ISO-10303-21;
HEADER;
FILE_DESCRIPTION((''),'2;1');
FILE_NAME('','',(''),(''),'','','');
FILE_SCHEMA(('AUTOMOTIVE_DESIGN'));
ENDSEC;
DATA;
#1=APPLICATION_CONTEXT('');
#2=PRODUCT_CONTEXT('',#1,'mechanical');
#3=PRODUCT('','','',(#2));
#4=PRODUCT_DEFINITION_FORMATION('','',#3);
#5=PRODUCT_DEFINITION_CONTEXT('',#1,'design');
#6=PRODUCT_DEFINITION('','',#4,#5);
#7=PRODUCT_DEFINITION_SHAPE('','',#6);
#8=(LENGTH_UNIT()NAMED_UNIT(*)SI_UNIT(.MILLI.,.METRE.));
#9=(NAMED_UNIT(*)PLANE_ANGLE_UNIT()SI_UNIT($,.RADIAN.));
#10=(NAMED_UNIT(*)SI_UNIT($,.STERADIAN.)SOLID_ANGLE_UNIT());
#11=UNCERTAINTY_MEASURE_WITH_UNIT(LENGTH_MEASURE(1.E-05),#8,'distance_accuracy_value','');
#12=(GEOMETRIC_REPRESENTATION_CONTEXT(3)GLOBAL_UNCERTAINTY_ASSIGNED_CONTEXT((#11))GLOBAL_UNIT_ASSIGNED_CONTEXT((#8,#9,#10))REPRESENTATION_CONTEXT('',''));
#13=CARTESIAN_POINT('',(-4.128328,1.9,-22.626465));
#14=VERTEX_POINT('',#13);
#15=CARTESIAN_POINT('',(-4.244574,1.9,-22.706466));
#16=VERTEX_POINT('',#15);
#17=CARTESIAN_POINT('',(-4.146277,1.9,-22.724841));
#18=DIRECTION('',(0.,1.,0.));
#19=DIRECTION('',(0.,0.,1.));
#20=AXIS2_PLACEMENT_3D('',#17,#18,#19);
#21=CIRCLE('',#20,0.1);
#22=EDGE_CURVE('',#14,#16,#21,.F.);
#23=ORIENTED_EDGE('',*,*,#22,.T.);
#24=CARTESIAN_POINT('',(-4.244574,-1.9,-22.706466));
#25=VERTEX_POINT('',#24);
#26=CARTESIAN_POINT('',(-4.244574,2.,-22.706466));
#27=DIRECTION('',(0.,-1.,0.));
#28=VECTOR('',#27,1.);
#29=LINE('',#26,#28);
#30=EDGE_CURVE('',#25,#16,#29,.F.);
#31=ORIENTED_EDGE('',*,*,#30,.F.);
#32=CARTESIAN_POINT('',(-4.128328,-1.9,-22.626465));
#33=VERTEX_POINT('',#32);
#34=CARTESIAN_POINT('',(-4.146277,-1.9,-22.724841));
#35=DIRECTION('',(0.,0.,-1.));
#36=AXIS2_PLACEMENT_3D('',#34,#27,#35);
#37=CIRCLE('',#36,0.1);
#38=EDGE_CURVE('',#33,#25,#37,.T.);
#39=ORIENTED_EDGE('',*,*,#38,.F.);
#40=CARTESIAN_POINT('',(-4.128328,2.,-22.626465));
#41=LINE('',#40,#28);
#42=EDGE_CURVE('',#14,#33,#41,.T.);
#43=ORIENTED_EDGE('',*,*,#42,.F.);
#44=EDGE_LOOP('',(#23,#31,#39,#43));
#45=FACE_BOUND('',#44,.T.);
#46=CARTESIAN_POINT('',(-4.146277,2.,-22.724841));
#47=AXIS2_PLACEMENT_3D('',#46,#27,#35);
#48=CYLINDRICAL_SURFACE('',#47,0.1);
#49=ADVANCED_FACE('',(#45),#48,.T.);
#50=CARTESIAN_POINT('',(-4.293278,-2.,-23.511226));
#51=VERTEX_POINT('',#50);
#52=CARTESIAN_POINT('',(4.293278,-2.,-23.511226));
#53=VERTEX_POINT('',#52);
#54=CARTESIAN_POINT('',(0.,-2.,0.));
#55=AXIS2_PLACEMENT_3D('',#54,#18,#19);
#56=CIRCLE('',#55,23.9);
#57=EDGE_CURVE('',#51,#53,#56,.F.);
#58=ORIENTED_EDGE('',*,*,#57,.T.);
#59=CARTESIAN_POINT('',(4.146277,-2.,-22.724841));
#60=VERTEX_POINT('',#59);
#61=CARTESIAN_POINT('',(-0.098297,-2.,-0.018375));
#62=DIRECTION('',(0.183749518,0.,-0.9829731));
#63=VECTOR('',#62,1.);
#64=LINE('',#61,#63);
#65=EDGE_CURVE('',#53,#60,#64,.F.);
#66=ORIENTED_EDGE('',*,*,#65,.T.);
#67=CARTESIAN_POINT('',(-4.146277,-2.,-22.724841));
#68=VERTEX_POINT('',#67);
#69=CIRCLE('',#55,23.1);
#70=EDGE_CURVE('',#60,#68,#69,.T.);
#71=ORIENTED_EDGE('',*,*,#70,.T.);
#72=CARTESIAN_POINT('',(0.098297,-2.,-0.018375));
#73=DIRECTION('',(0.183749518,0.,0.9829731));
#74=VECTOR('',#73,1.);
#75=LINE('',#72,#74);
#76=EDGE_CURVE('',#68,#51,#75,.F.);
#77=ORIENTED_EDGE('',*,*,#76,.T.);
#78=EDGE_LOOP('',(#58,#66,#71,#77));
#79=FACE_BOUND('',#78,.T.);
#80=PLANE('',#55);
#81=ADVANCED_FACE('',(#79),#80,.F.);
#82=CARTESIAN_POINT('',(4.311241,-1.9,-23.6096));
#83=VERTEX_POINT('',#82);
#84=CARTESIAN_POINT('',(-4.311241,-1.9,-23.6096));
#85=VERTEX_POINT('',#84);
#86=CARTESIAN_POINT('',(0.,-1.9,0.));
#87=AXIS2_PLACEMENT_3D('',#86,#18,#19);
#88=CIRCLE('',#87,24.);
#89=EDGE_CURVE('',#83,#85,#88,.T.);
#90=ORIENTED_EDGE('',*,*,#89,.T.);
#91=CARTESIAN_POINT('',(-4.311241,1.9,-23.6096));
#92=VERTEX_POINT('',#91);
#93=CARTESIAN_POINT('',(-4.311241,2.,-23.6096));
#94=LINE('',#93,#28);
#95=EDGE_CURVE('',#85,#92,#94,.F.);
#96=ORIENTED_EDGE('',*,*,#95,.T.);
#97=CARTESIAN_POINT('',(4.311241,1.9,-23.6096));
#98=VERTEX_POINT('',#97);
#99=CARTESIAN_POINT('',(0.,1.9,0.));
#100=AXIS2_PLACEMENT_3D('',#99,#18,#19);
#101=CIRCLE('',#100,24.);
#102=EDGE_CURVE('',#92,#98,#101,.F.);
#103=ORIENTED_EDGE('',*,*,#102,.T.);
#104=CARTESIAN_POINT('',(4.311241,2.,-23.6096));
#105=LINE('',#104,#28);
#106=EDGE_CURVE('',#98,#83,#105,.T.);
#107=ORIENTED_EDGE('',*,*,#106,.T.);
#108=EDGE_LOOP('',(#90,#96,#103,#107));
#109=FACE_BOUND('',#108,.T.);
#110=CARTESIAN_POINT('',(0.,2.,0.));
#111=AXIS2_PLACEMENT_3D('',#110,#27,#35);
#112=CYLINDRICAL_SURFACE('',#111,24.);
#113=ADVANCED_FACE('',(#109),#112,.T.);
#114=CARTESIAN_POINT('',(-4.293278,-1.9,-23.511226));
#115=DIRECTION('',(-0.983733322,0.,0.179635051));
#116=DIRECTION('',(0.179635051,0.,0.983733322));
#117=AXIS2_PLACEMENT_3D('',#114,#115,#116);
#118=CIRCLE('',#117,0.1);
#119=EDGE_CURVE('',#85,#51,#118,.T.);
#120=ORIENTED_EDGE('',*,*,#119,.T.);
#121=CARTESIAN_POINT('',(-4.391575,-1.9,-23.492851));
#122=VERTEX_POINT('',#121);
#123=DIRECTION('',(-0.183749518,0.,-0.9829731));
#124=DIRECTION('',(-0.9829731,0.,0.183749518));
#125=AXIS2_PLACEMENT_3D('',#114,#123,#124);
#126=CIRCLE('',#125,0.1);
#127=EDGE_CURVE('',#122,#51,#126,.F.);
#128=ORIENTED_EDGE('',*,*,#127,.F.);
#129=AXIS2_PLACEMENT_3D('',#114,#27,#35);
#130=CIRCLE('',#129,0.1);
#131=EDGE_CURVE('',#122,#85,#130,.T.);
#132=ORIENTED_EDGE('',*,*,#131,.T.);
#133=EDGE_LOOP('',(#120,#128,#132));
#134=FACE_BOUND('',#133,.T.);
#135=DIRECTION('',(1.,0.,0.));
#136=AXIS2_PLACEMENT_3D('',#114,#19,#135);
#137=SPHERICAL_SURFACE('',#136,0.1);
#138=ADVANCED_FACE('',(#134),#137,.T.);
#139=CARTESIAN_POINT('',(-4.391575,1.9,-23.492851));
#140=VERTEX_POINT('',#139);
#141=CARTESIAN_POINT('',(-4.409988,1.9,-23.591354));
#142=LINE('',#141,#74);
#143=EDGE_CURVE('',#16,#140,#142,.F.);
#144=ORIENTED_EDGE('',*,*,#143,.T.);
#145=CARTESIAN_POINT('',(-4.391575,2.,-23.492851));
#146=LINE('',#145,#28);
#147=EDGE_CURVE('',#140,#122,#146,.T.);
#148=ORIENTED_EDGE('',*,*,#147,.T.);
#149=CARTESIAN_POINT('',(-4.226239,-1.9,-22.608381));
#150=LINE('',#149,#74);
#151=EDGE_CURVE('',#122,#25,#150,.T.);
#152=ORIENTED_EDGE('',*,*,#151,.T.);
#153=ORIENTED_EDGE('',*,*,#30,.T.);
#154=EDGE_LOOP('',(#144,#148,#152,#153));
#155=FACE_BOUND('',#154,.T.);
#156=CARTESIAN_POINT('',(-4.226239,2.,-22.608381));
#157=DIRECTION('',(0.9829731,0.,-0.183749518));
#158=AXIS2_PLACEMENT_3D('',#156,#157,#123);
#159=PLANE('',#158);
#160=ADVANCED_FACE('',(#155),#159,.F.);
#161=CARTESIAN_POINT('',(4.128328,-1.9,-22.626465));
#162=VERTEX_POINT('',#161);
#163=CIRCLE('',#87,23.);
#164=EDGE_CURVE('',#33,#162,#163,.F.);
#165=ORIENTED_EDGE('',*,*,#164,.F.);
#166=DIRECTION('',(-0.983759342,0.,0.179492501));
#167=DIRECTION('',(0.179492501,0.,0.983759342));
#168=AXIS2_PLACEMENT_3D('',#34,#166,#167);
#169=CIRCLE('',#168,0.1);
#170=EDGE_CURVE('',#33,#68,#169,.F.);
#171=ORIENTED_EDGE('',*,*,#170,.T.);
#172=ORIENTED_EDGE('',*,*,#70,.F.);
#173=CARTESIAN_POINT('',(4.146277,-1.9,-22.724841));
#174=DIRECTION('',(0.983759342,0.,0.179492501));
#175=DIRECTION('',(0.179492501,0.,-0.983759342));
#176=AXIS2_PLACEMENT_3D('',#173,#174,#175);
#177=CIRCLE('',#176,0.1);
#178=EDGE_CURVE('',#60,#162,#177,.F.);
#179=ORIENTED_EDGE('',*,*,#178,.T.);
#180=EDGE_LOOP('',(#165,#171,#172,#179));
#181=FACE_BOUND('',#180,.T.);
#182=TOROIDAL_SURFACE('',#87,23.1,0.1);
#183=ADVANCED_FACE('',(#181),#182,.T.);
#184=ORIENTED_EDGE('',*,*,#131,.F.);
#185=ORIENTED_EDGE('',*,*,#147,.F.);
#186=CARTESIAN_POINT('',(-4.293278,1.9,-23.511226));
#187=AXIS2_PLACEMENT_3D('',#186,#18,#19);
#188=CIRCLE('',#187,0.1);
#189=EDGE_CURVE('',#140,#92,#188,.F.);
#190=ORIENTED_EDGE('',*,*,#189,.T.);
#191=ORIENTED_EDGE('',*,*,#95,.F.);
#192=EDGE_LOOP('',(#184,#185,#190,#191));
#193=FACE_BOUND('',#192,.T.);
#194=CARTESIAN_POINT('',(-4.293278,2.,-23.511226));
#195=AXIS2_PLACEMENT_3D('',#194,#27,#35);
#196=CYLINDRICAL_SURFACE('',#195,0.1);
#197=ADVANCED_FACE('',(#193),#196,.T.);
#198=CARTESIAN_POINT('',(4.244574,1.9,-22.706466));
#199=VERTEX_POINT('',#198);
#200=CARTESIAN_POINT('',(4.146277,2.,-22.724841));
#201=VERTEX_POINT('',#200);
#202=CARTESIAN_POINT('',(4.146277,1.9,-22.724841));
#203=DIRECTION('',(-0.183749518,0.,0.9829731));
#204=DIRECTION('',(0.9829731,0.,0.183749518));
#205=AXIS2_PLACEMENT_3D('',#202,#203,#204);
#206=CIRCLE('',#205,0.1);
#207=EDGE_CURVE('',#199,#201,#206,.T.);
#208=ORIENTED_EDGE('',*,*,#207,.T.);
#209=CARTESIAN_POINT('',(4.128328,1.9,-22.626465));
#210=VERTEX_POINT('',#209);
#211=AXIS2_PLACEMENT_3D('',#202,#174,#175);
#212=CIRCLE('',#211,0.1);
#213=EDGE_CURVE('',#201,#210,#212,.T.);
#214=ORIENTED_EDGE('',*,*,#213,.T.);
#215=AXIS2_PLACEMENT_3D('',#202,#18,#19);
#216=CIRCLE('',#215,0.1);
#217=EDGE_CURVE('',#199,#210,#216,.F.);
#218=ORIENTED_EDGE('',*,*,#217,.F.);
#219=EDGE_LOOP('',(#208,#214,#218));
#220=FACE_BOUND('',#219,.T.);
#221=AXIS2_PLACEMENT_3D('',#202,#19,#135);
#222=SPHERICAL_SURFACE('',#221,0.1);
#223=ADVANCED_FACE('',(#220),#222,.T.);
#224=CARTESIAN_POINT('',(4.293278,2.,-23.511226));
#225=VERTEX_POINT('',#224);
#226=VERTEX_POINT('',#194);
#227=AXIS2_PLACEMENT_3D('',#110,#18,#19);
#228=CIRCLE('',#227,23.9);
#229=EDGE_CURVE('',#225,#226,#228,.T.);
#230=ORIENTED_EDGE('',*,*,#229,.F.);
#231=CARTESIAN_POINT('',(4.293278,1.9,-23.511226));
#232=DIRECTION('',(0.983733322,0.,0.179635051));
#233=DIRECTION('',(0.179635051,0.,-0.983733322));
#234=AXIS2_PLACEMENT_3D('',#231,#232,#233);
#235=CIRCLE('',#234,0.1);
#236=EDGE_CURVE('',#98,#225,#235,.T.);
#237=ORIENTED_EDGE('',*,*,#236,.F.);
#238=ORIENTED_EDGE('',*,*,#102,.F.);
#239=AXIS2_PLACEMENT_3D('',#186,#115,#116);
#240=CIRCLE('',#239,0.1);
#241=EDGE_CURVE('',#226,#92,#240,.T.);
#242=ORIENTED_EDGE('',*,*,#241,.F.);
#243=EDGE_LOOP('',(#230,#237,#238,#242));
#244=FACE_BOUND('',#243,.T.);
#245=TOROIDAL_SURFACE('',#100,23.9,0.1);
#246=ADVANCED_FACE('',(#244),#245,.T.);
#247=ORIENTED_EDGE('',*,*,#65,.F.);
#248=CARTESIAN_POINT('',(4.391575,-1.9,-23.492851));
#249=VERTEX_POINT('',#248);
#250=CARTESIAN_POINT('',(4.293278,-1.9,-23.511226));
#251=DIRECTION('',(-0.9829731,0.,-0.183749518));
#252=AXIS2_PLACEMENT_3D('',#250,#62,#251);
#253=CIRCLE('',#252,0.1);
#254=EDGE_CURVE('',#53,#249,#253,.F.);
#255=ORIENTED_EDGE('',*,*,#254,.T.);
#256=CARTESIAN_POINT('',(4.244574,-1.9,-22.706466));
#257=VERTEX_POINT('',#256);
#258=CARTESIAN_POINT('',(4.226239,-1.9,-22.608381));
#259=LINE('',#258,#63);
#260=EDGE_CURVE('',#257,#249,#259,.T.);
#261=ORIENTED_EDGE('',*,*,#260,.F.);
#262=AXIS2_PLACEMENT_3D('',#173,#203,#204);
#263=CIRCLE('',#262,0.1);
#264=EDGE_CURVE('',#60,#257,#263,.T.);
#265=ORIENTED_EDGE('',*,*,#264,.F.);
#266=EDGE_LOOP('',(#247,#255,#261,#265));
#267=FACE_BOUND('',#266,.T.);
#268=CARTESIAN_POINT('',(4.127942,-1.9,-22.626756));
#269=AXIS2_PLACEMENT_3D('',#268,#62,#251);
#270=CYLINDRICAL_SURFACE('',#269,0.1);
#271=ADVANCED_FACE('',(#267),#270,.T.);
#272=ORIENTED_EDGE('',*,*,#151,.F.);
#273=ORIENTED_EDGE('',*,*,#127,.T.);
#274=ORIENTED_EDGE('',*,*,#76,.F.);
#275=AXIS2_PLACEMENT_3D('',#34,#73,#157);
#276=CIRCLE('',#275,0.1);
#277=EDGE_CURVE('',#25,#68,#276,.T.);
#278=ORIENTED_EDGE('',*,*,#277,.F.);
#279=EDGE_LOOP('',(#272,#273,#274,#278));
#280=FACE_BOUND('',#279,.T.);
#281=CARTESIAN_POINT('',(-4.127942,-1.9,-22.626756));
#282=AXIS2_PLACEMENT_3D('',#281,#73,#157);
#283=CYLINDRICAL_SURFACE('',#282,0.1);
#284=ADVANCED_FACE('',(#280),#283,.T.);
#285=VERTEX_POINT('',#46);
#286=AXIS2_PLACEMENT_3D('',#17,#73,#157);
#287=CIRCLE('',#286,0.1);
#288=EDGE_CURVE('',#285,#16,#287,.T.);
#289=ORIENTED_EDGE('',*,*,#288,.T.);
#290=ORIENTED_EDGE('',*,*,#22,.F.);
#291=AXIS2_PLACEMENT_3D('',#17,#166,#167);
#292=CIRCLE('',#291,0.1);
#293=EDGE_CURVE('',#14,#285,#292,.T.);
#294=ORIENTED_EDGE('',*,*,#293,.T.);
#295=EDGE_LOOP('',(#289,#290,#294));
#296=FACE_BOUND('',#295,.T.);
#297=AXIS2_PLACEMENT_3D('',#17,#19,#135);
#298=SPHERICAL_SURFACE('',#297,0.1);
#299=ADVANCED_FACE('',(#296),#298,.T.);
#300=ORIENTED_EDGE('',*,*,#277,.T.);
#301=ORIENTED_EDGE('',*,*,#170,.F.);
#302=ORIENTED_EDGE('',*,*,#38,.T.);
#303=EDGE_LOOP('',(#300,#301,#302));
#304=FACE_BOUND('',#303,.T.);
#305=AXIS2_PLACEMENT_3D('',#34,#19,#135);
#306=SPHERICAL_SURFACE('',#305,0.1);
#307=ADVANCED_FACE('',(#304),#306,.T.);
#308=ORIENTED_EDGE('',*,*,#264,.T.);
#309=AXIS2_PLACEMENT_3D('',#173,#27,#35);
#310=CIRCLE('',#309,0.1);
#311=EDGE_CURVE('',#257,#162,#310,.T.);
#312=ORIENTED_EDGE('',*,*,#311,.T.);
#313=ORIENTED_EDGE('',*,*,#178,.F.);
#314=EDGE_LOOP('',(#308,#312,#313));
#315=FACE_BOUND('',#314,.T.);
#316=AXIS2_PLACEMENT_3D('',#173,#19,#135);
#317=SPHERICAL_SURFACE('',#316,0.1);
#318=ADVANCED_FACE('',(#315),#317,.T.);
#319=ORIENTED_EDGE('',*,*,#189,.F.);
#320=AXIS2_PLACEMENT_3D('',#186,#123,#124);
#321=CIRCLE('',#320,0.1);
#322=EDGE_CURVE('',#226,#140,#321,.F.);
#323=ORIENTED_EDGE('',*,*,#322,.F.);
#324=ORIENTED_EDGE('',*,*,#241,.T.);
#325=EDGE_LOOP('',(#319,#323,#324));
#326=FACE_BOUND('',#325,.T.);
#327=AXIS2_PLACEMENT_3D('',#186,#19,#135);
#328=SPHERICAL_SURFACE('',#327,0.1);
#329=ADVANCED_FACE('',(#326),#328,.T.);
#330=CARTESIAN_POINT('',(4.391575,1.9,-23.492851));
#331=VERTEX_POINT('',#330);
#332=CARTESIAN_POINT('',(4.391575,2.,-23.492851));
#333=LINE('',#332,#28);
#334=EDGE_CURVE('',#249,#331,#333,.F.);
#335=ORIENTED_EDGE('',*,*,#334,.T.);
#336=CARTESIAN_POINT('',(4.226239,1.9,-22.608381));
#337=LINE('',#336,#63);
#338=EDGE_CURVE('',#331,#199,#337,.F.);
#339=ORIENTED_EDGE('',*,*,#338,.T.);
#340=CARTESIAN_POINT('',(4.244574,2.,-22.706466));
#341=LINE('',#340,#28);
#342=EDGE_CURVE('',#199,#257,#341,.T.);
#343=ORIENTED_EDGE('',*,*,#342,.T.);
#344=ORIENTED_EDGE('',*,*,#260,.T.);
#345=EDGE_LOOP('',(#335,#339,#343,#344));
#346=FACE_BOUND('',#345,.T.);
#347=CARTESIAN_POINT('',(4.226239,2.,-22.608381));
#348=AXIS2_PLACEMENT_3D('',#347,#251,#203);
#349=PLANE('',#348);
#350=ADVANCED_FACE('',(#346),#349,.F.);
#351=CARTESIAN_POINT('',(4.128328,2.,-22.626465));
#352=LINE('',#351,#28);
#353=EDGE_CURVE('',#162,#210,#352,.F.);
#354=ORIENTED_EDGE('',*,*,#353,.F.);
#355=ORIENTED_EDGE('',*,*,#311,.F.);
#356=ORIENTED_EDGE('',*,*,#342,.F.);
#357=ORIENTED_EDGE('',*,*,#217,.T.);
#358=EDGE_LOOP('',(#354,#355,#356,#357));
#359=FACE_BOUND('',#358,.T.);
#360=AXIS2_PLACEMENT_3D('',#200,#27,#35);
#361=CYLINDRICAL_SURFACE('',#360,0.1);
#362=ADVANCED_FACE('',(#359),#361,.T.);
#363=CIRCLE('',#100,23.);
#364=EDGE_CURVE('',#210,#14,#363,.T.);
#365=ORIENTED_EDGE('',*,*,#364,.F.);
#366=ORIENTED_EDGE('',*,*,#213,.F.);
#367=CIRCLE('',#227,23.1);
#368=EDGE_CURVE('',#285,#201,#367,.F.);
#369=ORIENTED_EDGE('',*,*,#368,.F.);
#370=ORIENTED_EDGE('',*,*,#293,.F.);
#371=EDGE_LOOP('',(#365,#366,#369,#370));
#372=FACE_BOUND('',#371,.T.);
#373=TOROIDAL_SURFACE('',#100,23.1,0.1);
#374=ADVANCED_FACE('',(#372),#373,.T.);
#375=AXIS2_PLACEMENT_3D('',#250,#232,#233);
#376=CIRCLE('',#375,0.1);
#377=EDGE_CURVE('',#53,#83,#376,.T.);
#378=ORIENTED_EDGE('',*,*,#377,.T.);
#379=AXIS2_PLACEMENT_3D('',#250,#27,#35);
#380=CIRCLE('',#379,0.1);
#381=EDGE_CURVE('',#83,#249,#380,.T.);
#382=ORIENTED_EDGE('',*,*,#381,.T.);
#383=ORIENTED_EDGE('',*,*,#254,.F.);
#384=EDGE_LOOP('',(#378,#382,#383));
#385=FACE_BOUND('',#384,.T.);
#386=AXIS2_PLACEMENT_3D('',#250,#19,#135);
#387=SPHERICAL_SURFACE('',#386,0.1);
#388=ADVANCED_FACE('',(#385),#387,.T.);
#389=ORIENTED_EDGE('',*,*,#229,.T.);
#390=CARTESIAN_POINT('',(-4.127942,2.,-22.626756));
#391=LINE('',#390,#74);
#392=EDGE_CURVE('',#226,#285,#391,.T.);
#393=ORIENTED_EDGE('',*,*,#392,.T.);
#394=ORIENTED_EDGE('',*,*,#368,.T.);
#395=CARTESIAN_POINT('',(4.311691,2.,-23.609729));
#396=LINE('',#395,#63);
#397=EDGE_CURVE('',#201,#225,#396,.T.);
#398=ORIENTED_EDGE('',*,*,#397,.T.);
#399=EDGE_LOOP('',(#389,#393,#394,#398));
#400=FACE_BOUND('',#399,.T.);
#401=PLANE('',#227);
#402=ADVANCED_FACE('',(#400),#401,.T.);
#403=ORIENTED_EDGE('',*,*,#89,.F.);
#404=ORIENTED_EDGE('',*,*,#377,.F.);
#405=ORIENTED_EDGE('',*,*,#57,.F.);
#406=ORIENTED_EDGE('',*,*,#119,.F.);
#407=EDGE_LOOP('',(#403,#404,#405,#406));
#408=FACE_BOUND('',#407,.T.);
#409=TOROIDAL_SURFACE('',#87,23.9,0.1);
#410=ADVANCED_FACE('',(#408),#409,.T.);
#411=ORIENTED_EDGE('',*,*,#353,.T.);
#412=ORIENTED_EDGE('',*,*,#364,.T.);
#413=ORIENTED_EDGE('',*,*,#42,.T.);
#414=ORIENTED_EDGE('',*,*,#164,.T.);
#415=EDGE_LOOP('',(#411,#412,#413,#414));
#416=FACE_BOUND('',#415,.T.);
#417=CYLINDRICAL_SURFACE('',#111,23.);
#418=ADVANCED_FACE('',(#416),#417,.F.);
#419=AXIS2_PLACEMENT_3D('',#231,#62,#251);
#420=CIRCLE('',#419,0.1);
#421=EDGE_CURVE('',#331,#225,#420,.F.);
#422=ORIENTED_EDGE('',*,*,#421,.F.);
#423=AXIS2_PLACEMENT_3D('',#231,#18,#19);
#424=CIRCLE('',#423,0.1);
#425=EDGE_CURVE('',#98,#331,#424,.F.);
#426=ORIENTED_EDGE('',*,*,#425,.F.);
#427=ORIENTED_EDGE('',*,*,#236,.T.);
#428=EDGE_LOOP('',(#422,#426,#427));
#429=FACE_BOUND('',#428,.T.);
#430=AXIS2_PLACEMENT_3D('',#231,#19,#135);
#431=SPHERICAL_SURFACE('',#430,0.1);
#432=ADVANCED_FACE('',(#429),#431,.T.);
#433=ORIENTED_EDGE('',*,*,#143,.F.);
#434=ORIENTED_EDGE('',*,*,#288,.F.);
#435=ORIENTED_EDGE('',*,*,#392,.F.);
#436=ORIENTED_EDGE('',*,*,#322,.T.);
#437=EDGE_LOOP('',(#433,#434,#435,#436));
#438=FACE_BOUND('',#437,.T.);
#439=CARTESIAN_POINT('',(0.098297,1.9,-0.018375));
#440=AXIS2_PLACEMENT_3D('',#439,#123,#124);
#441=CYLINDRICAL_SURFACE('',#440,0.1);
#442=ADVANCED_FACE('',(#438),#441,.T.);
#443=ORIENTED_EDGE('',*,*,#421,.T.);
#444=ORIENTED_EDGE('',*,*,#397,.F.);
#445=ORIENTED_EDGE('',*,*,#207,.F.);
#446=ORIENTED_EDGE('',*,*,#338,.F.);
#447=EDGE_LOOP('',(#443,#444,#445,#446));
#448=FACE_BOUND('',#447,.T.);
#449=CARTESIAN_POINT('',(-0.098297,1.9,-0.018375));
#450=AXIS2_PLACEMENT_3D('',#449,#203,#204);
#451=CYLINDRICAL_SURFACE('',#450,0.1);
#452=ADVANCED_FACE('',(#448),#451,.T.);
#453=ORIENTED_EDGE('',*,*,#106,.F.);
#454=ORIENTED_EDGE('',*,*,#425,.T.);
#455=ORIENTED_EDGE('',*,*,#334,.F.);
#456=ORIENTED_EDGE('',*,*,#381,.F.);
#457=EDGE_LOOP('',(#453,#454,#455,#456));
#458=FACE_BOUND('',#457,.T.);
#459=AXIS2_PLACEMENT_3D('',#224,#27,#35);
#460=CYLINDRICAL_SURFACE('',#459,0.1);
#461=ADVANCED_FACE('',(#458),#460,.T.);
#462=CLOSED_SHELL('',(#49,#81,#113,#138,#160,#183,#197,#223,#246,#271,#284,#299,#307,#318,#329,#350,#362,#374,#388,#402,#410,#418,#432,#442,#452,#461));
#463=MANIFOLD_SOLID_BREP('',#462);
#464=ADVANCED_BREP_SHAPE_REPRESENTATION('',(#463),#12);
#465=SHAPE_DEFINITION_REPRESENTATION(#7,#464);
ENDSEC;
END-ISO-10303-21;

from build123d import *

# Parameters (mm, degrees)
PROFILE_DEPTH   = 2
PROFILEFILLET_R = 0.1


with BuildPart() as part:
    # ProfileS → Profile (new, symmetric)
    with BuildSketch(Plane(origin=(0, 0, 0), x_dir=(1, 0, 0), z_dir=(0, 1, 0))):
        with BuildLine():
            Line((4.22623891, 22.608381293), (4.409988428, 23.591354392))
            ThreePointArc((4.409988428, 23.591354392), (0, 24), (-4.409988428, 23.591354392))
            Line((-4.409988428, 23.591354392), (-4.22623891, 22.608381293))
            ThreePointArc((-4.22623891, 22.608381293), (0, 23), (4.22623891, 22.608381293))
        make_face()
    extrude(amount=PROFILE_DEPTH, both=True)

    # ProfileFillet
    profilefillet_edges = [part.edges().sort_by_distance(p)[0] for p in [
        (0, 2, -23),
        (4.318113669, 2, -23.099867843),
        (0, 2, -24),
        (4.318113669, -2, -23.099867843),
        (0, -2, -23),
        (-4.318113669, -2, -23.099867843),
        (0, -2, -24),
        (-4.318113669, 2, -23.099867843),
        (4.409988428, 0, -23.591354392),
        (4.22623891, 0, -22.608381293),
        (-4.22623891, 0, -22.608381293),
        (-4.409988428, 0, -23.591354392),
    ]]
    fillet(profilefillet_edges, radius=PROFILEFILLET_R)


solid = part.part
